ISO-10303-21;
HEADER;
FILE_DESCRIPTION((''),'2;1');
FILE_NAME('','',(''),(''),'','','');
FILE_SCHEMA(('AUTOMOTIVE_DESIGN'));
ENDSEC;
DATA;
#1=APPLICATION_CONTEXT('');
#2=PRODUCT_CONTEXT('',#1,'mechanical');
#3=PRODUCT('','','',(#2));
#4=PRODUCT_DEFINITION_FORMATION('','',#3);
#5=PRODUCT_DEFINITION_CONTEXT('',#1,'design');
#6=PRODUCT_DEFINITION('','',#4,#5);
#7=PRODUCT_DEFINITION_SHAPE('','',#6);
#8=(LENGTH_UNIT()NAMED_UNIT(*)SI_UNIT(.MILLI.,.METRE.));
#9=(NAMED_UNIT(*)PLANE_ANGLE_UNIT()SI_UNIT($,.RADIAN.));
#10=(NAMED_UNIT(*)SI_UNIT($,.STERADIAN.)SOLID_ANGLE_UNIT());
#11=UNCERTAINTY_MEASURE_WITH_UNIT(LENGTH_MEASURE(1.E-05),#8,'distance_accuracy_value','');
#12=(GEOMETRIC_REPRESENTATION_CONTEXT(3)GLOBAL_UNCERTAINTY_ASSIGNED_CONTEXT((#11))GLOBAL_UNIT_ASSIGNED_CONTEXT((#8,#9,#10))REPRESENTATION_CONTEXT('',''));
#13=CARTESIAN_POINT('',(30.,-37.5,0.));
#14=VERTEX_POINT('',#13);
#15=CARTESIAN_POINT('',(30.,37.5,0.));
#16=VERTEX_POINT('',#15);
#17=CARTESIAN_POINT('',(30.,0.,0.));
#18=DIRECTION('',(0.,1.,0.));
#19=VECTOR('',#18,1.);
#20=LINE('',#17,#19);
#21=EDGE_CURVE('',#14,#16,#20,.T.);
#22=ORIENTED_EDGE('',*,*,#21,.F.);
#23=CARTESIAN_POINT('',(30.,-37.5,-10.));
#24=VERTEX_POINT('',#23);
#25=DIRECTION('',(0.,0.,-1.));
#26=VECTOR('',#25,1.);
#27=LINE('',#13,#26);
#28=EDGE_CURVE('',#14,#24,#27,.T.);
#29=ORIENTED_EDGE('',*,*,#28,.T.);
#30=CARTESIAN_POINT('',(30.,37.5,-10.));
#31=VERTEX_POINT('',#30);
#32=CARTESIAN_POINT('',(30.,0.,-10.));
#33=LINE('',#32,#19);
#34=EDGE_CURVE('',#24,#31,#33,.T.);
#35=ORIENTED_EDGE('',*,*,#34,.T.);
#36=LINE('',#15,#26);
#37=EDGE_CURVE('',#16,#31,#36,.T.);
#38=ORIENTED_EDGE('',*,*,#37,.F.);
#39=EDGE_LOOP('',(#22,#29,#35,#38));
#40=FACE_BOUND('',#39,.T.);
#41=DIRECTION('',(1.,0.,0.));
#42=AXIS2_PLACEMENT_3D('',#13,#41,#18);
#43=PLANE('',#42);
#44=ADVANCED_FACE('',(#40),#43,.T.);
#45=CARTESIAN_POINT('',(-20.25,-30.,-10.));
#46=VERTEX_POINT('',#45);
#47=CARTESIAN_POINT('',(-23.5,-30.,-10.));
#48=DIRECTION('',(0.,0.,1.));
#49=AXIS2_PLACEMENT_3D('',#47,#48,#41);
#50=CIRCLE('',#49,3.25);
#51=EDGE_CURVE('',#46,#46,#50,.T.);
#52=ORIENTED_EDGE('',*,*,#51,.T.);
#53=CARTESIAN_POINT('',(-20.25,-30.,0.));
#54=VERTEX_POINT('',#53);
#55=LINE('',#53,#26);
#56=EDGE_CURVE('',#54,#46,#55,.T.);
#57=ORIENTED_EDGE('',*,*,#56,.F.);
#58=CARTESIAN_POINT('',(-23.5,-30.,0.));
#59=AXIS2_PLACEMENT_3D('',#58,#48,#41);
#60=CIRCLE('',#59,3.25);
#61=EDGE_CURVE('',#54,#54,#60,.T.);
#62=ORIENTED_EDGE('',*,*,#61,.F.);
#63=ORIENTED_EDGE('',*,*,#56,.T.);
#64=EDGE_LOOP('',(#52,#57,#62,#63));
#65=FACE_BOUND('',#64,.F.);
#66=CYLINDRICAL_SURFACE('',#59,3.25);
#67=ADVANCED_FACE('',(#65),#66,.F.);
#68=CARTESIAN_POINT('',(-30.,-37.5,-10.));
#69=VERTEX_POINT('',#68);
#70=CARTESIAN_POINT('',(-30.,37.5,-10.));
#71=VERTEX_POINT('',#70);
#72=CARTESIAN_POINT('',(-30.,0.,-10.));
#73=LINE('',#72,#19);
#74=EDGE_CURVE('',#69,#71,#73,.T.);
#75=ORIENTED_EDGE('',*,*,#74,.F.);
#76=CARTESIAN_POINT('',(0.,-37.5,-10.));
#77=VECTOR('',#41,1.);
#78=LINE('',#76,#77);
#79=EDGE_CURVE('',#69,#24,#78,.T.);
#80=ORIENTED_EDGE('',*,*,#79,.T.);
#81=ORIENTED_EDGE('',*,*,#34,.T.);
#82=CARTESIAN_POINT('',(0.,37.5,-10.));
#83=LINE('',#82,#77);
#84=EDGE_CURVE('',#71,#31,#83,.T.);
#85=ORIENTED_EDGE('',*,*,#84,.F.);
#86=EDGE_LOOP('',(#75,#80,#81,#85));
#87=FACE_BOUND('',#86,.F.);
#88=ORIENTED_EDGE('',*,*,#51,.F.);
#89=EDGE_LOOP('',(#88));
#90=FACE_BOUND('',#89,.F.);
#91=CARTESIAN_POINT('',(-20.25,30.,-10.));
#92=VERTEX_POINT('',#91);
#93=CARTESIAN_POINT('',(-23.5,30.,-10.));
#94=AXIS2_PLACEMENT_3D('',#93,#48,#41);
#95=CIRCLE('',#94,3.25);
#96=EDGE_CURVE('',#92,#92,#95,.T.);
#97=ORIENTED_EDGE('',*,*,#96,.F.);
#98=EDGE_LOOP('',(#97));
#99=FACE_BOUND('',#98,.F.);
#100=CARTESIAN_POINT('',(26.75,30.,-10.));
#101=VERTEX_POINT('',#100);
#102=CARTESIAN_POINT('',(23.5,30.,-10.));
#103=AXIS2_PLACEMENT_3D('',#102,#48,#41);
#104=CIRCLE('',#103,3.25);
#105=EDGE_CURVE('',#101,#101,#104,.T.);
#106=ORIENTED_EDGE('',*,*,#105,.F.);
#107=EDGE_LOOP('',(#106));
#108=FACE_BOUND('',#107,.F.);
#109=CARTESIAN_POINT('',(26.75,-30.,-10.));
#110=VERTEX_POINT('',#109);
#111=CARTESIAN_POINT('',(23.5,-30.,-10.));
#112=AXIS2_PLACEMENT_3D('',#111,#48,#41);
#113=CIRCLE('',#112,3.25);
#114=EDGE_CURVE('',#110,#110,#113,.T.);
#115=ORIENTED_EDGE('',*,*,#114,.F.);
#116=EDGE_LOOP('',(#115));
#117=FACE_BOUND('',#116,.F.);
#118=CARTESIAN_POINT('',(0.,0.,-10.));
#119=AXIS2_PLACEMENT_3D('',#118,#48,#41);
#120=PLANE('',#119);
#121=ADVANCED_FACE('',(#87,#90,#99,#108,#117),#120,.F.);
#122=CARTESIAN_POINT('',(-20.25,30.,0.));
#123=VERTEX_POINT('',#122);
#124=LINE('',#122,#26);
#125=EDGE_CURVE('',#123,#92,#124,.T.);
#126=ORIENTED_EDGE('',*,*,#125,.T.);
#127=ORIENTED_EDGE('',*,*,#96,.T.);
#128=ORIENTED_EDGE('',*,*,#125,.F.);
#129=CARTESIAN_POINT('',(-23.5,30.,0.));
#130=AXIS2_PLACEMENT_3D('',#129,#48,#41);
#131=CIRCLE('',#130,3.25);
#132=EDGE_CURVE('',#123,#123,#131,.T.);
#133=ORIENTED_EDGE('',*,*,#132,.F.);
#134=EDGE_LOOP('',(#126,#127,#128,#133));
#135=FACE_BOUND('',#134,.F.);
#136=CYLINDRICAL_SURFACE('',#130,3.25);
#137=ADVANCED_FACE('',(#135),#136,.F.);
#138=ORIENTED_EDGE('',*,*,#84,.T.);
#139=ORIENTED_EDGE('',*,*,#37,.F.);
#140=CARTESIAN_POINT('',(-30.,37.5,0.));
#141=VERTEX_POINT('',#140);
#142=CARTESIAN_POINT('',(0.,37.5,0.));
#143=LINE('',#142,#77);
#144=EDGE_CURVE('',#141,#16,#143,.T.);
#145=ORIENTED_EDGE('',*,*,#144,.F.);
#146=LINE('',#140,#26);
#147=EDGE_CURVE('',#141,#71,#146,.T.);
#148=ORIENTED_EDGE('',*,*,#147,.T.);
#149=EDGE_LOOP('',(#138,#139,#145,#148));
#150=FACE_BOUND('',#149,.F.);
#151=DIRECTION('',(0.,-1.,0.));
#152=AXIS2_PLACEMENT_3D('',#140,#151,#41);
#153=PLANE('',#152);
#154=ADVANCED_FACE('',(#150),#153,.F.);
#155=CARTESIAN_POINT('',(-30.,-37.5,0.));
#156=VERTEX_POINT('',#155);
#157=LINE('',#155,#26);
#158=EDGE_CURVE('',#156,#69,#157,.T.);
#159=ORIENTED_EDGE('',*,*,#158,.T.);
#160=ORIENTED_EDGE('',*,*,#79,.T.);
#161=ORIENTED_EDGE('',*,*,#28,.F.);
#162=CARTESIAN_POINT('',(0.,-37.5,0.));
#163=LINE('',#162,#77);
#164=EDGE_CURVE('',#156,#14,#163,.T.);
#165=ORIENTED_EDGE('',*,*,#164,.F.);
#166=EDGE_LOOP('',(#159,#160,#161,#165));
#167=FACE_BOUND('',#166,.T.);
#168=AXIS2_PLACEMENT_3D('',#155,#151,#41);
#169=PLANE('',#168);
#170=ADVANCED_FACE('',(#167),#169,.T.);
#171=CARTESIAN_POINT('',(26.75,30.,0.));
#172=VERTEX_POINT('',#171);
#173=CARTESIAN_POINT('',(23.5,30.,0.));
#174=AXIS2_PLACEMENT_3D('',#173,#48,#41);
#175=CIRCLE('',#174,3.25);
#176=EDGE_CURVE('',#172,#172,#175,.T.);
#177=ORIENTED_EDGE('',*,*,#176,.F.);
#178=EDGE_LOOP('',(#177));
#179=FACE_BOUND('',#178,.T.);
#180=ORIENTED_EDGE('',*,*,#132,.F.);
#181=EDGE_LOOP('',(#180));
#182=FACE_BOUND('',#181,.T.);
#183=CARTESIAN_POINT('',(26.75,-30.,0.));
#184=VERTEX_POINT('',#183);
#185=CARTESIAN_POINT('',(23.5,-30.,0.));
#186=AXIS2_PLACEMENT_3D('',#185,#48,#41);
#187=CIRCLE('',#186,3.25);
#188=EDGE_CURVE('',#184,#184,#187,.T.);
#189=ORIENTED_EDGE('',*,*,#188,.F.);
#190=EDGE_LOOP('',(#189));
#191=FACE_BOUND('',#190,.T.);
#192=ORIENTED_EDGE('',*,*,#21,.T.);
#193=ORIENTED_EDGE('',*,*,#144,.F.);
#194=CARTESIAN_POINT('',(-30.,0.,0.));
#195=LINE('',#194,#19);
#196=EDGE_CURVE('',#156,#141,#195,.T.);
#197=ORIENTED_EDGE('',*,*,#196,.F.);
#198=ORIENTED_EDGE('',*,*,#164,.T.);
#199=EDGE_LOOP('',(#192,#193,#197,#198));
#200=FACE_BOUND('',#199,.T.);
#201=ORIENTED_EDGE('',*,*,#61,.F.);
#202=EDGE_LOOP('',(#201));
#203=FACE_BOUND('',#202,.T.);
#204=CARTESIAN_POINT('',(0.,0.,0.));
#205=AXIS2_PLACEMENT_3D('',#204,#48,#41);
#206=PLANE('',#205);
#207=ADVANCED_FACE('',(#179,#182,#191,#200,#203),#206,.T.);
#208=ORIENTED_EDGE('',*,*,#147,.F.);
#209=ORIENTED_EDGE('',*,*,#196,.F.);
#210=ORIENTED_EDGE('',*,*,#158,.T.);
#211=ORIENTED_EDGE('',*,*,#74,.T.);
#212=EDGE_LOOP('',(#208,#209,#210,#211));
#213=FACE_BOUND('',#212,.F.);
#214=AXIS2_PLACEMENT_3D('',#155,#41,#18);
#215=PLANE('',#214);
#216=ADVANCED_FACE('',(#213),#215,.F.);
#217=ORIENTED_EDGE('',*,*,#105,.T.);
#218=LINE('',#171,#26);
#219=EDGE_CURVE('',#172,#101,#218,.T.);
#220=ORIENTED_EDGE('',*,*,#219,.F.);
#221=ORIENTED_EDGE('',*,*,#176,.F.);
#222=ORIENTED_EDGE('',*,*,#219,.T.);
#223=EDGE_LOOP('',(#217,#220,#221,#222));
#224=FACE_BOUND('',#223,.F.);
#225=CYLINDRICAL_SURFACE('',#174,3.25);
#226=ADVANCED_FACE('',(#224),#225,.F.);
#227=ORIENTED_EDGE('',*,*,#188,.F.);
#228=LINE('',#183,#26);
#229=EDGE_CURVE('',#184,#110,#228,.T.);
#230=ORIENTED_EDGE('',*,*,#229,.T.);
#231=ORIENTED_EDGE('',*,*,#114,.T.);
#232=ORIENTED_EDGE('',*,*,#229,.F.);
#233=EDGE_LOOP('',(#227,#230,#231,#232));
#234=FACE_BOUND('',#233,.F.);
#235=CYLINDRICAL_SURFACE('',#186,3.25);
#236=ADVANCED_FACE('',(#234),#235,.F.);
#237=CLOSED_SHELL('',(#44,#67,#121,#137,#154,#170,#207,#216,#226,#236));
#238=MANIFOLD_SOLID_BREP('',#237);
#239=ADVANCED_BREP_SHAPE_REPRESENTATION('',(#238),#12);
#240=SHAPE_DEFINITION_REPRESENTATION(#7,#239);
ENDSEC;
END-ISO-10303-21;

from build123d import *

# Parameters (mm, degrees)
F0_W     = 60
F0_H     = 75
F1_DEPTH = 10
F2_R     = 3.25
F3_DEPTH = 10.001


with BuildPart() as f1:
    # F0 (on Top) → F1 (new body)
    with BuildSketch(Plane.XY):
        Rectangle(F0_W, F0_H)
    extrude(amount=-F1_DEPTH)

    # F2 (on Top) → F3 (cut, through all)
    with BuildSketch(Plane.XY):
        with Locations((-23.5, 30)):
            Circle(F2_R)
        with Locations((23.5, 30)):
            Circle(F2_R)
        with Locations((-23.5, -30)):
            Circle(F2_R)
        with Locations((23.5, -30)):
            Circle(F2_R)
    extrude(amount=-F3_DEPTH, mode=Mode.SUBTRACT)


solid = f1.part
